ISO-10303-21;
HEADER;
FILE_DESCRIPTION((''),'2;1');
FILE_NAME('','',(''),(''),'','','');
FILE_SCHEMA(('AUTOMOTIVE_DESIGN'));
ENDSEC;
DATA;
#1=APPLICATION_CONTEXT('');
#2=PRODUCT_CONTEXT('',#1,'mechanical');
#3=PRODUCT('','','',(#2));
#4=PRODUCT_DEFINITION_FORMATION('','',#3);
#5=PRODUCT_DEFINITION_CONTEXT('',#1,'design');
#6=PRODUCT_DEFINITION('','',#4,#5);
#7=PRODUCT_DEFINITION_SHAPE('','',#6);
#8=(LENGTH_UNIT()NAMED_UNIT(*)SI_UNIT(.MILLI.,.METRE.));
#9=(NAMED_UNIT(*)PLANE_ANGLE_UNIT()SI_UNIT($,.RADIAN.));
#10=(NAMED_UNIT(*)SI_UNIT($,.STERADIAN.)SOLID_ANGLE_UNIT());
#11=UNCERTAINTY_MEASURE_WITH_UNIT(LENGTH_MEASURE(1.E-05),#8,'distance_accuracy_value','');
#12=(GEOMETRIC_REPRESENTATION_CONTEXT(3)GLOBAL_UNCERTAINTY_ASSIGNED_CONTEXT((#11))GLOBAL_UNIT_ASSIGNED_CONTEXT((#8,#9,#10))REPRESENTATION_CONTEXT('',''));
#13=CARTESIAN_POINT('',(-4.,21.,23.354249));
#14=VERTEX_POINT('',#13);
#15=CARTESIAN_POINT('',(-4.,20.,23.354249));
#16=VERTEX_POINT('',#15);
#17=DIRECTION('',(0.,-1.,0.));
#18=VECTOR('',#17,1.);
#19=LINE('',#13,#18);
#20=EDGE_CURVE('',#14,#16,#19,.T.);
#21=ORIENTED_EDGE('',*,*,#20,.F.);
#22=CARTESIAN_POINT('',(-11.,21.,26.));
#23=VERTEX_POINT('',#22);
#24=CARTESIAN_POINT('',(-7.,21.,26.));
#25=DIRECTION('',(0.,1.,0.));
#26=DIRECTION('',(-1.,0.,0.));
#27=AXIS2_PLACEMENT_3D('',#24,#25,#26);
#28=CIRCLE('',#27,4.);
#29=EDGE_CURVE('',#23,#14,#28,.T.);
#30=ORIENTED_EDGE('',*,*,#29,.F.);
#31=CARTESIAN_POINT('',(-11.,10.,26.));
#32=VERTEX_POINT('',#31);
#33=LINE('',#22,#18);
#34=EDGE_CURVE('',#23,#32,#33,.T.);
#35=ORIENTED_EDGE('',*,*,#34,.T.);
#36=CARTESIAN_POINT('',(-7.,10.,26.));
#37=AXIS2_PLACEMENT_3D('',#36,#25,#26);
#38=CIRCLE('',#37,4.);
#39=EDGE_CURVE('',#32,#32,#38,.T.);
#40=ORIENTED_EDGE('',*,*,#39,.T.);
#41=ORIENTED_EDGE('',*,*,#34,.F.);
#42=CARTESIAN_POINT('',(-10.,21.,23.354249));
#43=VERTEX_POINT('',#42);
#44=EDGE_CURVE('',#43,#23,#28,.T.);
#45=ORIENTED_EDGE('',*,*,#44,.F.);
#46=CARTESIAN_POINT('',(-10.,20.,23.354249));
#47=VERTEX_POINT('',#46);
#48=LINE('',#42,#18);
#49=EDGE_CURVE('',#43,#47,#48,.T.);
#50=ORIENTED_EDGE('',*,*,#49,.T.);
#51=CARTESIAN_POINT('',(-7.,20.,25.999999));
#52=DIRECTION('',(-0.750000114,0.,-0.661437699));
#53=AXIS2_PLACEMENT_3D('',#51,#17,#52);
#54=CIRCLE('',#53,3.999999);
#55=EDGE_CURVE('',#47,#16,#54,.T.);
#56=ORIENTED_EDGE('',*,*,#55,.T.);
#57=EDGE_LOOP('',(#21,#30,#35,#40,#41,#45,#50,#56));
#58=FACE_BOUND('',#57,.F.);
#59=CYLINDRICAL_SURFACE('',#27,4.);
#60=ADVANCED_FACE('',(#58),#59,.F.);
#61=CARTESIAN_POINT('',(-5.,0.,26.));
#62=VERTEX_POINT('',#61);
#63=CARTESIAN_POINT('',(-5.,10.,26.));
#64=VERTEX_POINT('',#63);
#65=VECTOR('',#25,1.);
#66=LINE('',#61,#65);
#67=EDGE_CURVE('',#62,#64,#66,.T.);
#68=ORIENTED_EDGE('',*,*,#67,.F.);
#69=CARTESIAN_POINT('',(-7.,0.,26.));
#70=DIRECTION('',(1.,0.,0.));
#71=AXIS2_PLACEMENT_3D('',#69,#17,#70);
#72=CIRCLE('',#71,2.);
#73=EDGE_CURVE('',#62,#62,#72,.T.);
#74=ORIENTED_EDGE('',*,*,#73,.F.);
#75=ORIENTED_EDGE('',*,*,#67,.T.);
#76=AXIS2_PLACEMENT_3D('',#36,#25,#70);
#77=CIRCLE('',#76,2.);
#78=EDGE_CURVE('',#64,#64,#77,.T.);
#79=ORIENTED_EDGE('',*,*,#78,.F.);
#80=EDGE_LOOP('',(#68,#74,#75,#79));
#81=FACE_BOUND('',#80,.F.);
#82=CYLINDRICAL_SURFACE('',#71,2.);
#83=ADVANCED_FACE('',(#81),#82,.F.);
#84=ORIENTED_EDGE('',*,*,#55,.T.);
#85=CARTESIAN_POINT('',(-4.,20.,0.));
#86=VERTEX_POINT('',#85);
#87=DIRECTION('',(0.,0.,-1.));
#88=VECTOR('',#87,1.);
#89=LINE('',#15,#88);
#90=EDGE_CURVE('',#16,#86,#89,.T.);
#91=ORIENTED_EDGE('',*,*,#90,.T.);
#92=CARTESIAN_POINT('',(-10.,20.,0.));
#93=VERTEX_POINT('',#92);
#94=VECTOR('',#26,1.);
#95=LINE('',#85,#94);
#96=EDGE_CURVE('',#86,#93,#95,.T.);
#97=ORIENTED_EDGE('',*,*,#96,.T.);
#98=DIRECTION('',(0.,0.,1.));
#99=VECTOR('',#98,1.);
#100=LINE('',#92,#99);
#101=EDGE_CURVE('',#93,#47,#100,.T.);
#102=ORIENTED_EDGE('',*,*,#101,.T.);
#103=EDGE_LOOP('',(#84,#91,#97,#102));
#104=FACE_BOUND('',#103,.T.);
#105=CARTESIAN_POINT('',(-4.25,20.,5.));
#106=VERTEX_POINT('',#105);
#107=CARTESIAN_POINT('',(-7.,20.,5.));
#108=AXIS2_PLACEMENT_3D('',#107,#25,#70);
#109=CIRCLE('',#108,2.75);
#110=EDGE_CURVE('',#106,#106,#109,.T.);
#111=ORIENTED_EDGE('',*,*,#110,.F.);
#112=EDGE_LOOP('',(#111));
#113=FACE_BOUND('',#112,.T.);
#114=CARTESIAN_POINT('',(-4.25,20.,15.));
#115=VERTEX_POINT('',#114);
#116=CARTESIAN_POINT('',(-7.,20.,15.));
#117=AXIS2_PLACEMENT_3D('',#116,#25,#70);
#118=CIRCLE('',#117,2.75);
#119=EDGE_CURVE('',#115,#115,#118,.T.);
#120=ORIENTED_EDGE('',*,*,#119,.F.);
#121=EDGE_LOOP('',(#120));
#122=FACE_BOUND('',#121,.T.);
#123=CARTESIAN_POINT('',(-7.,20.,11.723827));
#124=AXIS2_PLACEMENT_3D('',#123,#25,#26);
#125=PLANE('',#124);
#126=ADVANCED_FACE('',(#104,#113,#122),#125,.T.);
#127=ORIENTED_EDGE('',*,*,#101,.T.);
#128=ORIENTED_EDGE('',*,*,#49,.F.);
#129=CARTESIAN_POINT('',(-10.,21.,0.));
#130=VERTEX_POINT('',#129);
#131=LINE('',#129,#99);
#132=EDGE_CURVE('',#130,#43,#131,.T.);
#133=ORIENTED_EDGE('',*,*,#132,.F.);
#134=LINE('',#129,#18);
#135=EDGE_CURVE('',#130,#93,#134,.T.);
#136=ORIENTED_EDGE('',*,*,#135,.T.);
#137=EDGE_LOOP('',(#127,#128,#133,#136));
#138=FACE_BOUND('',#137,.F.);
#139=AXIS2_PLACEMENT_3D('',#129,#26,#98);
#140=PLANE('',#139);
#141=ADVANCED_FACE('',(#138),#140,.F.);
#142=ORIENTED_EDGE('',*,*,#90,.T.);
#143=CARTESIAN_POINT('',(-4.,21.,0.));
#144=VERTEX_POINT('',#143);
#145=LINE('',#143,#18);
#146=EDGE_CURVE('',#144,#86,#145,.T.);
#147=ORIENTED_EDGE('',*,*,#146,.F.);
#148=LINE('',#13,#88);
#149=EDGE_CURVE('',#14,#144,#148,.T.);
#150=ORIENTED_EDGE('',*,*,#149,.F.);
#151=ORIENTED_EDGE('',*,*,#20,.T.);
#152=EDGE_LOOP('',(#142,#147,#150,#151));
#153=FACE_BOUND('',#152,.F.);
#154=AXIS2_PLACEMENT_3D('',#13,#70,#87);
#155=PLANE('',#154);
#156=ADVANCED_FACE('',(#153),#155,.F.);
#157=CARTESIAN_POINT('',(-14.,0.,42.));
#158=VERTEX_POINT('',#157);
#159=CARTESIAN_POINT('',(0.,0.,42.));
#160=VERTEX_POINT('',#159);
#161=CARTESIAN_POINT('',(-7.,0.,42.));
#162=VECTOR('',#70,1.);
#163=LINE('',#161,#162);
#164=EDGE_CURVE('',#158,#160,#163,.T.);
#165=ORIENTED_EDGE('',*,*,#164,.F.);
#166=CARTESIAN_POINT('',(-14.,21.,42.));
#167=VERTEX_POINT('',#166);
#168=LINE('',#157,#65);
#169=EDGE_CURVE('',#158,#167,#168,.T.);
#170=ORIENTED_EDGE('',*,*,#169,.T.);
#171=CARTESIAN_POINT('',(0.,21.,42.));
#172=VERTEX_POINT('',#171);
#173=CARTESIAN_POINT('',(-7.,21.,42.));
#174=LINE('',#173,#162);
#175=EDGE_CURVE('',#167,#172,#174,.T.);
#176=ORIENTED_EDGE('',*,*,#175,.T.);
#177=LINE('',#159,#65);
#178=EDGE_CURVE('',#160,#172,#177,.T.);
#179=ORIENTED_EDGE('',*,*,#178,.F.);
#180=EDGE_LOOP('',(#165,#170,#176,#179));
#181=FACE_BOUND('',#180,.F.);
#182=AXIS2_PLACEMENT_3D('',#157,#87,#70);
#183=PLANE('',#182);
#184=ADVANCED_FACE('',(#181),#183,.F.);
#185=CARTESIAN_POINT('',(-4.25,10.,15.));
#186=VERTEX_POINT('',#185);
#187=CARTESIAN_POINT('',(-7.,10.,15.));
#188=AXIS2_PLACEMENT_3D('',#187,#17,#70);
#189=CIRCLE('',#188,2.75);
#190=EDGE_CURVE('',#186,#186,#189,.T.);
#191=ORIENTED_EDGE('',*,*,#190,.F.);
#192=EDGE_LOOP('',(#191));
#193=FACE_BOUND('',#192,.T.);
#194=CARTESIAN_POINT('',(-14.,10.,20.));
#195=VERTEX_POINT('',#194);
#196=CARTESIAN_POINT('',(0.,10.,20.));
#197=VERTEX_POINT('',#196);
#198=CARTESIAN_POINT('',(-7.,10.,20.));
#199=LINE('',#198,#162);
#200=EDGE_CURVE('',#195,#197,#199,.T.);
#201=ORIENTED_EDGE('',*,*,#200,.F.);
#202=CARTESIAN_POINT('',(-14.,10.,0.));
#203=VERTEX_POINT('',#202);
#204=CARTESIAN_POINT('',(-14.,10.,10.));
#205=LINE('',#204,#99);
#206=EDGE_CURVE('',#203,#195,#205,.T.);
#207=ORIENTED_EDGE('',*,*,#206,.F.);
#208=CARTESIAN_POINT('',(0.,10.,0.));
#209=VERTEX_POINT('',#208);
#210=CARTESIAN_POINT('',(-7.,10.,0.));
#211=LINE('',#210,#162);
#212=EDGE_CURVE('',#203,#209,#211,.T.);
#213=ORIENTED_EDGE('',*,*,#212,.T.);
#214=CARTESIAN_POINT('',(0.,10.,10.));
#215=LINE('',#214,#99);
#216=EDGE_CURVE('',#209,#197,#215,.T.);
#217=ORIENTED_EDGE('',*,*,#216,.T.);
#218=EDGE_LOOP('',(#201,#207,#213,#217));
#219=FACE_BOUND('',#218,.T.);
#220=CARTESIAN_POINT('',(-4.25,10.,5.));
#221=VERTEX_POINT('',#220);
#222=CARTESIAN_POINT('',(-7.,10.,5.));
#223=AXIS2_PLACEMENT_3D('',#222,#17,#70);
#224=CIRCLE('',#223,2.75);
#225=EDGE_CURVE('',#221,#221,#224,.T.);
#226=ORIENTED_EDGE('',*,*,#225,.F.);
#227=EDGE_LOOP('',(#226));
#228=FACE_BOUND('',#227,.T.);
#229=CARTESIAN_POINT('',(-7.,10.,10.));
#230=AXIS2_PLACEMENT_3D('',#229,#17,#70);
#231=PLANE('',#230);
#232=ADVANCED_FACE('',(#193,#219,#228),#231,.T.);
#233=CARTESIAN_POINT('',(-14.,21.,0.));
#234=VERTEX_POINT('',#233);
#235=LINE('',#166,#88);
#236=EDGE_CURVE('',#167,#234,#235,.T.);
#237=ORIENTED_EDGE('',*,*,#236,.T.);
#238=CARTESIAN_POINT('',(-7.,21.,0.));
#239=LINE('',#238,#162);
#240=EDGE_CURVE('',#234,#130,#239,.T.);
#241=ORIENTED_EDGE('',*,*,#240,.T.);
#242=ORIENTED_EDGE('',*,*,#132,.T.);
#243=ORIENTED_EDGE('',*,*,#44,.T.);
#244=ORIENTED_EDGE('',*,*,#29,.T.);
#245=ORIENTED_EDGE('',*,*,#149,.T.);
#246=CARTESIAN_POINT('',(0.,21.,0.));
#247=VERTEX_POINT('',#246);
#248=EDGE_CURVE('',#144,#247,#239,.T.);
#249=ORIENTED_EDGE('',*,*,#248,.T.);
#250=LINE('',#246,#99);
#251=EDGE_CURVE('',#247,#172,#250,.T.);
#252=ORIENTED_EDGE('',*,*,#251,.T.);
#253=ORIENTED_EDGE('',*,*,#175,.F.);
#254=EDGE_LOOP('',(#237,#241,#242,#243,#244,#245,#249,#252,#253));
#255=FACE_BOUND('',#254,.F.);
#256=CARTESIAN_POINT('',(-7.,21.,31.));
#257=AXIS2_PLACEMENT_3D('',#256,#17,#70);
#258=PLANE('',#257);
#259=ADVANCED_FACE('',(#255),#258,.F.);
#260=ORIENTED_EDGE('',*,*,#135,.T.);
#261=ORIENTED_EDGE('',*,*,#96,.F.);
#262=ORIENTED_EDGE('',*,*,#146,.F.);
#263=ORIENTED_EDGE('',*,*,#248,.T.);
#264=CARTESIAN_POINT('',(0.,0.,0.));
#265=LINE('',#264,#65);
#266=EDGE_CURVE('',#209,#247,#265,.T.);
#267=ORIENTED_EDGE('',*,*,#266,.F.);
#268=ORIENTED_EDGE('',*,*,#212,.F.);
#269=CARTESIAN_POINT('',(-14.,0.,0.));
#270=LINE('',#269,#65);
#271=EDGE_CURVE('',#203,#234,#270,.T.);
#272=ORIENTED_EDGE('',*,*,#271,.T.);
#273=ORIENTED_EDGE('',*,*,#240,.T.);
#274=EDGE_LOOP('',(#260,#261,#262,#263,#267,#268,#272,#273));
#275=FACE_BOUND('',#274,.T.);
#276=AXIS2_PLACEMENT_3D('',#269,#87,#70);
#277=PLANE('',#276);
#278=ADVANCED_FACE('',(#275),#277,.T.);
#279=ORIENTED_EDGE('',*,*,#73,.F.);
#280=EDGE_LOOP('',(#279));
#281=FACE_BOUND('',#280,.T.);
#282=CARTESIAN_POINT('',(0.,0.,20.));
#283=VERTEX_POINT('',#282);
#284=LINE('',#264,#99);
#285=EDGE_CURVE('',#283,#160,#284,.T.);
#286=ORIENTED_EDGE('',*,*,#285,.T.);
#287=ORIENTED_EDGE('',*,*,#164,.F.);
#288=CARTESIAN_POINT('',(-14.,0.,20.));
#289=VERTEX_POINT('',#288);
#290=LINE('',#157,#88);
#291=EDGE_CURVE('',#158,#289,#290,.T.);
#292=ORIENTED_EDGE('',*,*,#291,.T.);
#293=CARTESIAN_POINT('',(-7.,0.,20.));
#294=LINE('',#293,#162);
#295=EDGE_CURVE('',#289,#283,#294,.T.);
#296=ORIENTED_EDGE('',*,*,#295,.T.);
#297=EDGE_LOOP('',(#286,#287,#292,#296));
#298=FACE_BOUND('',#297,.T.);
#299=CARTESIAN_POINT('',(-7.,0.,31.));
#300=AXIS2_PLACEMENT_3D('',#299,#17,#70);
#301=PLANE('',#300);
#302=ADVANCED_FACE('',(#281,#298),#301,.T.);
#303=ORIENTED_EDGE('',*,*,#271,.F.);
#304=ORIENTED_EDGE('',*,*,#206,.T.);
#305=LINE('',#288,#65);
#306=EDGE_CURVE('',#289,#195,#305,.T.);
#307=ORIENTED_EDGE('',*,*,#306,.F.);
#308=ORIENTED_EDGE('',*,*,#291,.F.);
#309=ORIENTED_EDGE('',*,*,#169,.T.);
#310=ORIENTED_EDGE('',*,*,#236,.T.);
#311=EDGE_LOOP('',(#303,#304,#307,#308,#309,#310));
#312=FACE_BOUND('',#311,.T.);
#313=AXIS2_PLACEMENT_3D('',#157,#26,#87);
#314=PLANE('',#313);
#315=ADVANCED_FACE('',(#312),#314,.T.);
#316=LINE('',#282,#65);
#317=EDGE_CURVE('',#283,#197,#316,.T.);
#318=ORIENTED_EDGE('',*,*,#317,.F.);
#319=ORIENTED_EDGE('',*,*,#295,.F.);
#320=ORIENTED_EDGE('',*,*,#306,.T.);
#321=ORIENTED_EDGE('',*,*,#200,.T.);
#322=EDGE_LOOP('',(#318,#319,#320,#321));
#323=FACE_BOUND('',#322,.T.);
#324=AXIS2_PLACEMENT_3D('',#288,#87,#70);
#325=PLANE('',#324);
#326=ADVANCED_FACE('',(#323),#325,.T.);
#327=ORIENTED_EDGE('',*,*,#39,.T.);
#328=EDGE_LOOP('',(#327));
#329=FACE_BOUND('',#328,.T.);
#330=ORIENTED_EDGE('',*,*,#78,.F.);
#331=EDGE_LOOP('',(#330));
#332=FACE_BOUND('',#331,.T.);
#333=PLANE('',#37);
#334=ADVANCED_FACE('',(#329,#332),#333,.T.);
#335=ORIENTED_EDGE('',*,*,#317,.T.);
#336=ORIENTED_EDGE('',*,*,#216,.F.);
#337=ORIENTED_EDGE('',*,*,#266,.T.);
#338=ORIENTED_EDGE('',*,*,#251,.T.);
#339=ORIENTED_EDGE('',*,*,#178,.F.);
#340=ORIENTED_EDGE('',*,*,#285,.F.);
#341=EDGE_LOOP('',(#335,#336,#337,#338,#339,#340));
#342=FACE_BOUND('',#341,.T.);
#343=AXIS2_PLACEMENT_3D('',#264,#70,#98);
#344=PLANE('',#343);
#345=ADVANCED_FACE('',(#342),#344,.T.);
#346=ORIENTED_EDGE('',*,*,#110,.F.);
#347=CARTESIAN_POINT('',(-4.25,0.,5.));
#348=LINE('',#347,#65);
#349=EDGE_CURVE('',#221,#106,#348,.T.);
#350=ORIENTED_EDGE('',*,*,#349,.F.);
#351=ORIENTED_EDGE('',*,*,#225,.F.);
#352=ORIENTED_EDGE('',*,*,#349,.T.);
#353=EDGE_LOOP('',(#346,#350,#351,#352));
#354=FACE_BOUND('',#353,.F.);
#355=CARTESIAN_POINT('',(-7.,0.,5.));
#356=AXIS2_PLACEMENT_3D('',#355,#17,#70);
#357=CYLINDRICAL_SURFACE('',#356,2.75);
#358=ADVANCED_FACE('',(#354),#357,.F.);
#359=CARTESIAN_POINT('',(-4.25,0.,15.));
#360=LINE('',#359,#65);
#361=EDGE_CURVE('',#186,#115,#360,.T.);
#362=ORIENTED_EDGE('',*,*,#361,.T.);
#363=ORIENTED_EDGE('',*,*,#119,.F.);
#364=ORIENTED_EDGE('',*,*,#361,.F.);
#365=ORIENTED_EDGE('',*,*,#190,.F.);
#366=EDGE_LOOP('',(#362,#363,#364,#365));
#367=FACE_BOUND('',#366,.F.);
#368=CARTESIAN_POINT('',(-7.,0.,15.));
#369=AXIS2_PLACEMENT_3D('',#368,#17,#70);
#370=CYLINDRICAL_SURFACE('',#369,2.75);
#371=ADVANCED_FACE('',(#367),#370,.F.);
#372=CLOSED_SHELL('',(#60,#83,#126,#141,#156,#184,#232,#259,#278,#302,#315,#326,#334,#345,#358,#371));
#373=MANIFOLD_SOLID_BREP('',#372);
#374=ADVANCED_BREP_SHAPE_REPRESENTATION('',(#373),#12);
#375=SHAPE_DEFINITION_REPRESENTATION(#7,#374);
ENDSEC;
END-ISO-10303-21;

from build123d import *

# Parameters (mm, degrees)
F0_W     = 14
F0_H     = 22
F0_R     = 2
F0_H_2   = 20
F0_R_2   = 2.75
F1_DEPTH = 21
F2_DEPTH = 10
F3_R     = 4
F3_R_2   = 2
F4_DEPTH = 11
F5_R     = 2.75
F6_DEPTH = 1


with BuildPart() as f1:
    # F0 (on Front) → F1 (new body)
    with BuildSketch(Plane.XZ):
        with Locations((-7, 31)):
            Rectangle(F0_W, F0_H)
        with Locations((-7, 26)):
            Circle(F0_R, mode=Mode.SUBTRACT)
        with Locations((-7, 10)):
            Rectangle(F0_W, F0_H_2)
        with Locations((-7, 5)):
            Circle(F0_R_2, mode=Mode.SUBTRACT)
        with Locations((-7, 15)):
            Circle(F0_R_2, mode=Mode.SUBTRACT)
    extrude(amount=-F1_DEPTH)

    # F0 (on Front) → F2 (cut)
    with BuildSketch(Plane.XZ):
        with Locations((-7, 10)):
            Rectangle(F0_W, F0_H_2)
        with Locations((-7, 5)):
            Circle(F0_R_2, mode=Mode.SUBTRACT)
        with Locations((-7, 15)):
            Circle(F0_R_2, mode=Mode.SUBTRACT)
    extrude(amount=-F2_DEPTH, mode=Mode.SUBTRACT)

    # F3 (on face) → F4 (cut)
    with BuildSketch(Plane(origin=(0, 21, 0), x_dir=(-1, 0, 0), z_dir=(0, 1, 0))):
        with Locations((7, 26)):
            Circle(F3_R)
        with Locations((7, 26)):
            Circle(F3_R_2, mode=Mode.SUBTRACT)
    extrude(amount=-F4_DEPTH, mode=Mode.SUBTRACT)

    # F5 (on face) → F6 (cut)
    with BuildSketch(Plane(origin=(0, 21, 0), x_dir=(-1, 0, 0), z_dir=(0, 1, 0))):
        with BuildLine():
            Line((4, 23.354249), (4, 0))
            Line((4, 0), (10, 0))
            Line((10, 0), (10, 23.354249))
            ThreePointArc((10, 23.354249), (7, 22), (4, 23.354249))
        make_face()
        with Locations((7, 5)):
            Circle(F5_R, mode=Mode.SUBTRACT)
        with Locations((7, 15)):
            Circle(F5_R, mode=Mode.SUBTRACT)
    extrude(amount=-F6_DEPTH, mode=Mode.SUBTRACT)


solid = f1.part
